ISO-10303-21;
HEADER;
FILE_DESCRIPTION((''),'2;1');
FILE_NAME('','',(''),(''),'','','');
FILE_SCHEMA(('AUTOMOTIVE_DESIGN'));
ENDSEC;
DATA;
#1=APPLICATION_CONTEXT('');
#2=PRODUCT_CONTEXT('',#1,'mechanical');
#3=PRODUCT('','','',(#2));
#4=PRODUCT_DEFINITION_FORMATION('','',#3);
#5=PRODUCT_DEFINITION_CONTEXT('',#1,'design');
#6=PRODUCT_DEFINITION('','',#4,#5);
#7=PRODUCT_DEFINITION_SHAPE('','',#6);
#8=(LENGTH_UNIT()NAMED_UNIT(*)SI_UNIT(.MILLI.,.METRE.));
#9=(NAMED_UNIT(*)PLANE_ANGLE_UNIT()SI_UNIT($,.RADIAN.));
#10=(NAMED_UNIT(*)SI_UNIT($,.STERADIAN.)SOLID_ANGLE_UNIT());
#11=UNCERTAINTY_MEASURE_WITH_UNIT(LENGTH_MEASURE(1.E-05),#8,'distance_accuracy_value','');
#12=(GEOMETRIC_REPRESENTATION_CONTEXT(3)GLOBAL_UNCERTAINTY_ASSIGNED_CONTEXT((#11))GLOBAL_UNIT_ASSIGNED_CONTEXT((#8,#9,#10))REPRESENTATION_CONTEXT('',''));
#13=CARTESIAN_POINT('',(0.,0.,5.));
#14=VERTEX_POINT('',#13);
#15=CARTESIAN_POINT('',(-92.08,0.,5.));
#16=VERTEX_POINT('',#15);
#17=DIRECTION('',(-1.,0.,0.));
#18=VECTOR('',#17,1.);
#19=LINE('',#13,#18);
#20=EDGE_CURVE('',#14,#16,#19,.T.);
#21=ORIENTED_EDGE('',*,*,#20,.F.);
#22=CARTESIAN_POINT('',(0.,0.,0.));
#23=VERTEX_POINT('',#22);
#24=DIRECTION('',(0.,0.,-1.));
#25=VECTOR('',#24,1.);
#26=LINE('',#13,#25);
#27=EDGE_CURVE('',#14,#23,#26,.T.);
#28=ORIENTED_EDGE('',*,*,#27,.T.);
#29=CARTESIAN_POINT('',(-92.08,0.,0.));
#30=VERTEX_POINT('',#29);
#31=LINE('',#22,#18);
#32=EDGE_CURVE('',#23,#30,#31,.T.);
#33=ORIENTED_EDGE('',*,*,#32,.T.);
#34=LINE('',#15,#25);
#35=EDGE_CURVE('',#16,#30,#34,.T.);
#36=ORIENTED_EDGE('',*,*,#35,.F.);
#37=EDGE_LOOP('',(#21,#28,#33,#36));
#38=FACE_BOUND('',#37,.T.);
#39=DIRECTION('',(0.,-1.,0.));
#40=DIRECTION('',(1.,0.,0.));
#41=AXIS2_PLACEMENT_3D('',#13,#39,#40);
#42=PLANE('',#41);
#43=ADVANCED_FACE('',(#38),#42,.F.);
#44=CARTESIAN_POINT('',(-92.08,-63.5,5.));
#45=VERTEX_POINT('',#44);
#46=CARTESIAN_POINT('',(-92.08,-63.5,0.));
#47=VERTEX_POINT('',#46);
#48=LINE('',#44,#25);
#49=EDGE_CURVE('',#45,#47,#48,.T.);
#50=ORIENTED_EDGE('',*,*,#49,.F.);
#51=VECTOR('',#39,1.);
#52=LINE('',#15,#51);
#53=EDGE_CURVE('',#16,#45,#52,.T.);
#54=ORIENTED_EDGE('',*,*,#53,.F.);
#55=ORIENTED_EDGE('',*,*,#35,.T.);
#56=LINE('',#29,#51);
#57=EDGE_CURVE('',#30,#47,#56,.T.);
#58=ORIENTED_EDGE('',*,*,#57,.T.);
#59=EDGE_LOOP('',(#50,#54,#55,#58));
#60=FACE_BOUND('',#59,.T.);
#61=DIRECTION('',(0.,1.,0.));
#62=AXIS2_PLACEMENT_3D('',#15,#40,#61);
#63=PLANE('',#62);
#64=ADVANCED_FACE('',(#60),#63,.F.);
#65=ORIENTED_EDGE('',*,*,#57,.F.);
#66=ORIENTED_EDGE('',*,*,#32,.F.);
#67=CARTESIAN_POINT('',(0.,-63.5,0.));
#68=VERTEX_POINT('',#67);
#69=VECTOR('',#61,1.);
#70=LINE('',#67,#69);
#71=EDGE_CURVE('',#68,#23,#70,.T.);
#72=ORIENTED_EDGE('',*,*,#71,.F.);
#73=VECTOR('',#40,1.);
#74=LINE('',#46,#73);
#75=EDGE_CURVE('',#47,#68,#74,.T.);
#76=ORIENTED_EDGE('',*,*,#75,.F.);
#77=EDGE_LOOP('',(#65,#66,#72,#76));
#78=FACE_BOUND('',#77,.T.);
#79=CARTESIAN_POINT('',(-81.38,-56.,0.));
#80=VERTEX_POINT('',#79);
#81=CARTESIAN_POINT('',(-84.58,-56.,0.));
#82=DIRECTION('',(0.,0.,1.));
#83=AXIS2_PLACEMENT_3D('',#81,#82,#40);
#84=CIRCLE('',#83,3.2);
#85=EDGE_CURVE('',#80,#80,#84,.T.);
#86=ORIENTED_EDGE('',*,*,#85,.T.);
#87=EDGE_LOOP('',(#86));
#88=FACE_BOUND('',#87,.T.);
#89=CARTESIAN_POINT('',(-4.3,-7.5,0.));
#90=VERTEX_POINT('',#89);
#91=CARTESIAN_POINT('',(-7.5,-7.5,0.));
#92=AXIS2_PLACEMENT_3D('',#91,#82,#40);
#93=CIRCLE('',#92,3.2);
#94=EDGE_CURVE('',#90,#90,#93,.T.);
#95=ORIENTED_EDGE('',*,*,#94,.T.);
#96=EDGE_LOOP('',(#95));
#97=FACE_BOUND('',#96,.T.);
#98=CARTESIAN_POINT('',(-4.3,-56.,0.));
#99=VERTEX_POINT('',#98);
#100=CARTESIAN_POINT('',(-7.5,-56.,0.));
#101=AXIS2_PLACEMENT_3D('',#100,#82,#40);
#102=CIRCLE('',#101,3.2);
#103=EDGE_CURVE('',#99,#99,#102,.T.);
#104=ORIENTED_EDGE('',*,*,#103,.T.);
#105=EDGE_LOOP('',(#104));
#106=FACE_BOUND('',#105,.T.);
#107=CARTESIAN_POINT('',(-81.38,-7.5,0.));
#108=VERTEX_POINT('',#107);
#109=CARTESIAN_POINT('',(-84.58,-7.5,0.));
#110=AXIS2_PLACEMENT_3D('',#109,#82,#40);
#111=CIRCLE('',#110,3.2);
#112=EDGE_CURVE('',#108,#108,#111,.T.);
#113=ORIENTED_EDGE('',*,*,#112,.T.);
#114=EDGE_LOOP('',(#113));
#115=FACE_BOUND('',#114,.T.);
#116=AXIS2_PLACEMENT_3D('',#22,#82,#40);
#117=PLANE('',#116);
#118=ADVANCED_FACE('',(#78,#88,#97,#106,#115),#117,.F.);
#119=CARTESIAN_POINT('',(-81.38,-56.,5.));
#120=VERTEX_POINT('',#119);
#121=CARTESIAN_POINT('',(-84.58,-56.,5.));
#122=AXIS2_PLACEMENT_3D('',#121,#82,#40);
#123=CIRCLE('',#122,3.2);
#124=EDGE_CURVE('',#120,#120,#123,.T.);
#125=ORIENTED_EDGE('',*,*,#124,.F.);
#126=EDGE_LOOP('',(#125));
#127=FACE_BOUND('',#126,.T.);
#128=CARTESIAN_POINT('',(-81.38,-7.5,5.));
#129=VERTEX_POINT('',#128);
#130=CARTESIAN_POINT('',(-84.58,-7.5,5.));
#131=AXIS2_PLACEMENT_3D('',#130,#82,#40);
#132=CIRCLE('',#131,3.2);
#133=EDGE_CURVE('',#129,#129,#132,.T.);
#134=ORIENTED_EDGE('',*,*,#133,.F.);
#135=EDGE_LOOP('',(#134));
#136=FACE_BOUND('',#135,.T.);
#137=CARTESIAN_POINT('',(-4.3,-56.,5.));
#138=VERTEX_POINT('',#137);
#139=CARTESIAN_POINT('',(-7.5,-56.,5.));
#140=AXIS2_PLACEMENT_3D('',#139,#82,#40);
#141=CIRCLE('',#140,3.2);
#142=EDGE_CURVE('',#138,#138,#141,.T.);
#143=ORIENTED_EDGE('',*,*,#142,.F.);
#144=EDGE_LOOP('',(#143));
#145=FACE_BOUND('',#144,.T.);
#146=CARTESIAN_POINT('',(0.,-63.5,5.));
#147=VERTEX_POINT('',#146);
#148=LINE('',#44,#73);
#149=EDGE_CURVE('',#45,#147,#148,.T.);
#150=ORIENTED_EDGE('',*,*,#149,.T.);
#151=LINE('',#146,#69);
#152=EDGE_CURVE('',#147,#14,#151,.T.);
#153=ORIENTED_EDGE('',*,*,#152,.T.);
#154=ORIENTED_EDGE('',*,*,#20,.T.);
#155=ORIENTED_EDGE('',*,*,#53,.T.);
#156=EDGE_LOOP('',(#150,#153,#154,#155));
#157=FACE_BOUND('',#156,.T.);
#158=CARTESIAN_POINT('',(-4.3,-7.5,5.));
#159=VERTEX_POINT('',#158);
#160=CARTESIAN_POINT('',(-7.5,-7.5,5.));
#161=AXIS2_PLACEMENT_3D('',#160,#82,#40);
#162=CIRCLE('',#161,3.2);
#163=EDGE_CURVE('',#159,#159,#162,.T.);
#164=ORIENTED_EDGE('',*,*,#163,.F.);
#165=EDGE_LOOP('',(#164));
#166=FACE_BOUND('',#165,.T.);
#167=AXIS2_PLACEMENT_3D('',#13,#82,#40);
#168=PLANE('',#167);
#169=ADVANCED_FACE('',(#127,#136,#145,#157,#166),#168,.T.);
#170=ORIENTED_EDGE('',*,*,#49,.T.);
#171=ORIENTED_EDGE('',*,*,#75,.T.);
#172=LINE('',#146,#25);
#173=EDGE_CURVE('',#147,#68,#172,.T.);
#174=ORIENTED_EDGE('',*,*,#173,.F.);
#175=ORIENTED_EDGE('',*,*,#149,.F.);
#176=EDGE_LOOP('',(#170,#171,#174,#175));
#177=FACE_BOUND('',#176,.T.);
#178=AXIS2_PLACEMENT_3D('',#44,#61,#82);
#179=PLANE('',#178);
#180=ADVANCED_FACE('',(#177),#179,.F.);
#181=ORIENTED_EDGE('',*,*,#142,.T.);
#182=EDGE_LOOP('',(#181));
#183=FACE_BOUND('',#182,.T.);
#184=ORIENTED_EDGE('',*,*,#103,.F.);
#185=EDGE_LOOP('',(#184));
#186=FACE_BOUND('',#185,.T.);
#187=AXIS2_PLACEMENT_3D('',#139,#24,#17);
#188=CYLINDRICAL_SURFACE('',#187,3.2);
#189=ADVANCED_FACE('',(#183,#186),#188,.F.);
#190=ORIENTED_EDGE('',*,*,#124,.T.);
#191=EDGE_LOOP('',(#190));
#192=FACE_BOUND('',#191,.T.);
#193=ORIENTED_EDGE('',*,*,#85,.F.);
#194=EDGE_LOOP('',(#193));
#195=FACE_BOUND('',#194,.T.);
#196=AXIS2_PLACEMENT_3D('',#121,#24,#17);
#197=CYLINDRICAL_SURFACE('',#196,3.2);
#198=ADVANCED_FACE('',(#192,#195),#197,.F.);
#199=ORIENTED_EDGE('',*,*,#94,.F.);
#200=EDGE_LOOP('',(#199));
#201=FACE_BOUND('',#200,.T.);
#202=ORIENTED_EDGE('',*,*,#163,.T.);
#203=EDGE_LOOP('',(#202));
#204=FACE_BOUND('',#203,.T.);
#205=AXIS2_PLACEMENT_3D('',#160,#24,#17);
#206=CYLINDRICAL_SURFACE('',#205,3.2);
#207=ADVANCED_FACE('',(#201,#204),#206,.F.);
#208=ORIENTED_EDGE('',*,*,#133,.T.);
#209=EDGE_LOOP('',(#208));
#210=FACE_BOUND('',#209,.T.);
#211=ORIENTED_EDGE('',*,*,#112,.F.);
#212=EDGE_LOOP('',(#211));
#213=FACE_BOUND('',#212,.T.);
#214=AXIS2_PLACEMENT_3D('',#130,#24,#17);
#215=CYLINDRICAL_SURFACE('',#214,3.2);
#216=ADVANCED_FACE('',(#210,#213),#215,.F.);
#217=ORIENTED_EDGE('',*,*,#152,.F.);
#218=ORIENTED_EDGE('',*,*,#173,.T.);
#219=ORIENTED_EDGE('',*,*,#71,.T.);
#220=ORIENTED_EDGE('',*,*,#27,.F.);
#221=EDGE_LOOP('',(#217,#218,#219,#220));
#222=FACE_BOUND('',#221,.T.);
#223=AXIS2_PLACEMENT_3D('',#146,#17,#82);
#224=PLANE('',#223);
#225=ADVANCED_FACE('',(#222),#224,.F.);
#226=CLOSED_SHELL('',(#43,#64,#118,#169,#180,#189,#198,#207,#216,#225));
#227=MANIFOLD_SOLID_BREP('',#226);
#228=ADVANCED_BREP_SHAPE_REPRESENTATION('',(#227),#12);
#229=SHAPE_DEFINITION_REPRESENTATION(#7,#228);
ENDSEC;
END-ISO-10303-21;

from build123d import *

# Parameters (mm, degrees)
ESQUISSE1_W        = 92.08
ESQUISSE1_H        = 63.5
ESQUISSE1_R        = 3.2
BOSS_EXTRU_1_DEPTH = 5


with BuildPart() as part:
    # Esquisse1 → Boss.-Extru.1 (new body)
    with BuildSketch(Plane.XY):
        with Locations((-46.04, -31.75)):
            Rectangle(ESQUISSE1_W, ESQUISSE1_H)
        with Locations((-84.58, -7.5)):
            Circle(ESQUISSE1_R, mode=Mode.SUBTRACT)
        with Locations((-7.5, -7.5)):
            Circle(ESQUISSE1_R, mode=Mode.SUBTRACT)
        with Locations((-7.5, -56)):
            Circle(ESQUISSE1_R, mode=Mode.SUBTRACT)
        with Locations((-84.58, -56)):
            Circle(ESQUISSE1_R, mode=Mode.SUBTRACT)
    extrude(amount=BOSS_EXTRU_1_DEPTH)


solid = part.part
